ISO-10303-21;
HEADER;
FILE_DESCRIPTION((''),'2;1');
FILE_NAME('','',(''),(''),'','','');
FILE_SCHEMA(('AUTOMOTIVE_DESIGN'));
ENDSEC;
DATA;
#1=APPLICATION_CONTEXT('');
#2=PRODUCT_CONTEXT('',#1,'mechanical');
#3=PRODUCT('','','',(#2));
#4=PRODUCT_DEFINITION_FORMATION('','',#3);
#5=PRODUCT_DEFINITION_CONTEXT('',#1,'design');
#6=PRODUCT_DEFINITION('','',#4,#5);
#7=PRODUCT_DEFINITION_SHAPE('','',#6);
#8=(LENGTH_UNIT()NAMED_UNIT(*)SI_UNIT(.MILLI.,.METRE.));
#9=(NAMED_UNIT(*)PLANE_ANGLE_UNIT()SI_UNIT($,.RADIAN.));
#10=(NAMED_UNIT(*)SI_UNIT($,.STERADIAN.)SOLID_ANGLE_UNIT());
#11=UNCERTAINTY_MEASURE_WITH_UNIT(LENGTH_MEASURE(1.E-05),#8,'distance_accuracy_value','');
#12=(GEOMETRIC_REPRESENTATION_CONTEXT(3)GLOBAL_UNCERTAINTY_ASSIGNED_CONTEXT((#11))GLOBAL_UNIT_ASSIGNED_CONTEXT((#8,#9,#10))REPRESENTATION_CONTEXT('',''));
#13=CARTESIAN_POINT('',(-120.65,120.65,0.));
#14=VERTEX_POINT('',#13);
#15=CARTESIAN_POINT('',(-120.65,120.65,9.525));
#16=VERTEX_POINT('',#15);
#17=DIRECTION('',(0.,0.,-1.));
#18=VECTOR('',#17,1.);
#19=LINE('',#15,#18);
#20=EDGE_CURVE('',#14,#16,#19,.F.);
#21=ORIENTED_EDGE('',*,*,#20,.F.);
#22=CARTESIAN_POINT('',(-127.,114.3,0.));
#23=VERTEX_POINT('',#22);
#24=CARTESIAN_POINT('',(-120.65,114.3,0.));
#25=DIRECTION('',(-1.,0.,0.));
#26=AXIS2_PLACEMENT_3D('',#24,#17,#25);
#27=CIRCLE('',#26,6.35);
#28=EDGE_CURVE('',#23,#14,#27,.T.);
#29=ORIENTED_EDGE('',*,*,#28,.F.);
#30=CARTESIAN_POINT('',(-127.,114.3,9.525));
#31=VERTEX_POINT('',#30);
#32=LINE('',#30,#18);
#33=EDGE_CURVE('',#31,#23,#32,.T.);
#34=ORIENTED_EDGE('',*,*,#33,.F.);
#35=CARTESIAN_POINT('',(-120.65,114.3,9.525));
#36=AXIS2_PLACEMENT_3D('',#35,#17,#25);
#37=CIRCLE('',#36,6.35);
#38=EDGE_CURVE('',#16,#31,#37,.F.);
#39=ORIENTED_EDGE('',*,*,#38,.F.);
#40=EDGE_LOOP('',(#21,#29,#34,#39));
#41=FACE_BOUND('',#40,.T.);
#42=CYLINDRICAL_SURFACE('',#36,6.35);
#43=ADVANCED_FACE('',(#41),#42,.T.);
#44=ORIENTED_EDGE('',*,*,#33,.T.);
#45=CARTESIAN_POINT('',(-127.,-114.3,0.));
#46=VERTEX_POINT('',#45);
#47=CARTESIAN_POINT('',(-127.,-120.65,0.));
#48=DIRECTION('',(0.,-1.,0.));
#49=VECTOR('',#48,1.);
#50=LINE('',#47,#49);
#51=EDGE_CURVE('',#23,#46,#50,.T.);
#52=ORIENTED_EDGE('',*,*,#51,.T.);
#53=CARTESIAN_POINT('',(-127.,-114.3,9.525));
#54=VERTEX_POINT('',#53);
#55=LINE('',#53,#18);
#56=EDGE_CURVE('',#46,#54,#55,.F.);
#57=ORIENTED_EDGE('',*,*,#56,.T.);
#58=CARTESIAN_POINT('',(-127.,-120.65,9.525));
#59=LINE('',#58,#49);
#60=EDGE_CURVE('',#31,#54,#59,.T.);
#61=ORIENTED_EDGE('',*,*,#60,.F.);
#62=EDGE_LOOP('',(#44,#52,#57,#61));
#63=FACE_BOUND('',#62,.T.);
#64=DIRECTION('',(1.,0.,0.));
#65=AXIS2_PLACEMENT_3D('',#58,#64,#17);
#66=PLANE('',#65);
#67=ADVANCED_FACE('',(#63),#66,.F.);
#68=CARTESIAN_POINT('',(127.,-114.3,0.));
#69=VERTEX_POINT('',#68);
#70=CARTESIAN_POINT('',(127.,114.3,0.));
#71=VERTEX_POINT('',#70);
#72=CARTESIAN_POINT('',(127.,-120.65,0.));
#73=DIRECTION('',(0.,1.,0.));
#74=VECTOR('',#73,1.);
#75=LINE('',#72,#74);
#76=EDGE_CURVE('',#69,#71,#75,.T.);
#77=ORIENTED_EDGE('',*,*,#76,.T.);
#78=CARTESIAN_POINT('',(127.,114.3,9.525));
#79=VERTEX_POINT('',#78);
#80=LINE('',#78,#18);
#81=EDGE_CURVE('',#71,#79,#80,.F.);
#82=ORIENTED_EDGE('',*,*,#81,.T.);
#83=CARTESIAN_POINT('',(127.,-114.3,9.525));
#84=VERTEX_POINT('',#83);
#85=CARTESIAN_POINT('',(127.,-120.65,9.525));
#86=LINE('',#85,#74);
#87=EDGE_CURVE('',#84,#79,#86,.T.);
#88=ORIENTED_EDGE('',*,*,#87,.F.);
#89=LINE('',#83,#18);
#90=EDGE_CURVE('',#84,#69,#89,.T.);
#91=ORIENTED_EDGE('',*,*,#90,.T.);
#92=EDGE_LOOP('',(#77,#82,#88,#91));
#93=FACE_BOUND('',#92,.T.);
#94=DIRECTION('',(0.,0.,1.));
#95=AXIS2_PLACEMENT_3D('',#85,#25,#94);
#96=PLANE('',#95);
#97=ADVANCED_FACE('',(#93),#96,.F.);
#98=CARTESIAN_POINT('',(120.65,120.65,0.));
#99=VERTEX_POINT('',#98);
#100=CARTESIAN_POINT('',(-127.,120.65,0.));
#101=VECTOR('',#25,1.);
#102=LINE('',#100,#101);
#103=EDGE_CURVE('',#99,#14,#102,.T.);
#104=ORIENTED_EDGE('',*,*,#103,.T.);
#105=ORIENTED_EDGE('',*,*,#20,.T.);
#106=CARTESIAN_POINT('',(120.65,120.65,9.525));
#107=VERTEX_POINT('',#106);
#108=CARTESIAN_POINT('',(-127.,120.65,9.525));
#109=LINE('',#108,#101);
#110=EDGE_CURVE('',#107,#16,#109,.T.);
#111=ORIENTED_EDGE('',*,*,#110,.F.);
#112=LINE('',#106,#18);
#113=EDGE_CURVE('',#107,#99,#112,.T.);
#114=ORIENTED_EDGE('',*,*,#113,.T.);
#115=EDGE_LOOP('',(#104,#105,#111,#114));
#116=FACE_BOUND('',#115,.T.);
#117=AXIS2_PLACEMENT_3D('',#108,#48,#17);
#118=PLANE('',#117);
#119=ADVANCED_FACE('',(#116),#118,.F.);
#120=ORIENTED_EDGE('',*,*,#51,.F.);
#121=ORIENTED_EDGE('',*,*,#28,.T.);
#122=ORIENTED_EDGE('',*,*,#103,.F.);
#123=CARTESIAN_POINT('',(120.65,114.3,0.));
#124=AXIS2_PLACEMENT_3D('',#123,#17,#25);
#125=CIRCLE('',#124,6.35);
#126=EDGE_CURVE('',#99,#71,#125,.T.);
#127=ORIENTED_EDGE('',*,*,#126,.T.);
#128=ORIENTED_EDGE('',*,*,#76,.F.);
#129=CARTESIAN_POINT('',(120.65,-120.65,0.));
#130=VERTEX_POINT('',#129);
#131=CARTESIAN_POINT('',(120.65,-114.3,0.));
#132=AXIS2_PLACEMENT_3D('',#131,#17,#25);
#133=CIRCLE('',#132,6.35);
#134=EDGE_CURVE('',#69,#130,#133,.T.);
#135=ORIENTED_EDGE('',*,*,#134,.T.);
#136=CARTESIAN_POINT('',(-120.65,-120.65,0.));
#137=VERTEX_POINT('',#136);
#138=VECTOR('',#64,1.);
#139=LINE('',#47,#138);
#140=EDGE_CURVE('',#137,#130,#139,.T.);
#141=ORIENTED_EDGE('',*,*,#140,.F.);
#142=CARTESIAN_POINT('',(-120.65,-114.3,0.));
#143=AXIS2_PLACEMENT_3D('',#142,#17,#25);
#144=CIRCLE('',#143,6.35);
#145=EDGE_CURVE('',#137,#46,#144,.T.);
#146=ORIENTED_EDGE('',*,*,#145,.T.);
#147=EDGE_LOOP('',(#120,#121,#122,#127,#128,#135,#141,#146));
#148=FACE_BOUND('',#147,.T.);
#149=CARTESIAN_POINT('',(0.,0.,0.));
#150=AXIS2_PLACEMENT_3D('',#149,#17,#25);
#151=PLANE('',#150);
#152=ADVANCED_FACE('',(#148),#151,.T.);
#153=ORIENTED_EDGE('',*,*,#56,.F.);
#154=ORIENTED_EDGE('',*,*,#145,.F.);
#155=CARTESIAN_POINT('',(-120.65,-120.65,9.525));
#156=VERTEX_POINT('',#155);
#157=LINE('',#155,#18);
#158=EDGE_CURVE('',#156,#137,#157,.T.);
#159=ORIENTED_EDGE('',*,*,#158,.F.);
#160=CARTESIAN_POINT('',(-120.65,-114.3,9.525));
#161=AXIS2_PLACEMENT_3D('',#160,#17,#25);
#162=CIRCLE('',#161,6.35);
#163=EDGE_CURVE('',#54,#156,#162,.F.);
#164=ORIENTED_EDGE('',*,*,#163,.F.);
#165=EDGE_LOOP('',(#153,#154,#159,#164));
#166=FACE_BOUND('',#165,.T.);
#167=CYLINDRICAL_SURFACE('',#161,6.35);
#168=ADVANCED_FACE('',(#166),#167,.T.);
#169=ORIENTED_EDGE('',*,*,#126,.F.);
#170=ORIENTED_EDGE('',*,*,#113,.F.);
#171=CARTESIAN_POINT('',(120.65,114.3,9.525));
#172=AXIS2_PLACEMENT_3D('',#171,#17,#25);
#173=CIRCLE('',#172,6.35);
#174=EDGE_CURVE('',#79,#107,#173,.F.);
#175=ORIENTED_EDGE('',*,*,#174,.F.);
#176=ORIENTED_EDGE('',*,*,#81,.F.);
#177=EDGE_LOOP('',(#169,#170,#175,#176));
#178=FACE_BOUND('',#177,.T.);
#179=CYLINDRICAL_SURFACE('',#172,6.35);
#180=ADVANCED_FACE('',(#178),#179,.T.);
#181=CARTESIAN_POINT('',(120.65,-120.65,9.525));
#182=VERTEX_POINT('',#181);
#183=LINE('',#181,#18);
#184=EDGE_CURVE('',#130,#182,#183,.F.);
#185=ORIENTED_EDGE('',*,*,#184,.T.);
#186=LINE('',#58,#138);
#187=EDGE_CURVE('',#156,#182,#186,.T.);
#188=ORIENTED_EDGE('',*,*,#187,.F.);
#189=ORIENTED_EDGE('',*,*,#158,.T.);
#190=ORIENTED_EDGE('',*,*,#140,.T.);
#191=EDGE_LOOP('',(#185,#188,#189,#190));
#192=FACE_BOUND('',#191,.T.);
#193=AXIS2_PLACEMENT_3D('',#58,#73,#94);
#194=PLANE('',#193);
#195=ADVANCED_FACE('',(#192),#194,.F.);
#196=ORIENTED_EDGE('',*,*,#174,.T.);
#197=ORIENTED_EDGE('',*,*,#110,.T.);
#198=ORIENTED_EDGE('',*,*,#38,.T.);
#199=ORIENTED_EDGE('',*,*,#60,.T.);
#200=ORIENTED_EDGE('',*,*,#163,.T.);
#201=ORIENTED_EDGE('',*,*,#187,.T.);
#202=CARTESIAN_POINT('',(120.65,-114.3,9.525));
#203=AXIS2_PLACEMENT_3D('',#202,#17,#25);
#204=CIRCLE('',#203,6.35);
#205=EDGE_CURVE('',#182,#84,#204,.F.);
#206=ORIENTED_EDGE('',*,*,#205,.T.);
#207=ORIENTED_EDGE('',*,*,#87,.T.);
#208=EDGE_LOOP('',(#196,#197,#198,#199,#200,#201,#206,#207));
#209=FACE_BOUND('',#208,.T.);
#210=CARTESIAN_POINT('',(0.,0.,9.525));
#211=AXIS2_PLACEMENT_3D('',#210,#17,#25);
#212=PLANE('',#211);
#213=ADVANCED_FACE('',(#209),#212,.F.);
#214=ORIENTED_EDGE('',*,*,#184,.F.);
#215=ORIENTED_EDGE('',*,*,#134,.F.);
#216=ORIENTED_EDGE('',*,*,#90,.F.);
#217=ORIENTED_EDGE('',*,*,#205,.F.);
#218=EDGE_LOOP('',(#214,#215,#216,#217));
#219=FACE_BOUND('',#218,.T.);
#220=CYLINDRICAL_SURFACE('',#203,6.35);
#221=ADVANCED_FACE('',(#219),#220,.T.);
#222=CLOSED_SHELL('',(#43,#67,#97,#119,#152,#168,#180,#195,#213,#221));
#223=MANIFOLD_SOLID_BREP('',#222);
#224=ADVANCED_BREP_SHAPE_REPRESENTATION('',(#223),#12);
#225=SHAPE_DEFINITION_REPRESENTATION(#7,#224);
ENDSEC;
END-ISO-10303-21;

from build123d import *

# Parameters (mm, degrees)
SKETCH1_W           = 254
SKETCH1_H           = 241.3
BOSS_EXTRUDE1_DEPTH = 9.525
FILLET1_R           = 6.35


with BuildPart() as part:
    # Sketch1 → Boss-Extrude1 (new body)
    with BuildSketch(Plane.XY):
        Rectangle(SKETCH1_W, SKETCH1_H)
    extrude(amount=BOSS_EXTRUDE1_DEPTH)

    # Fillet1
    fillet1_edges = [part.edges().sort_by_distance(p)[0] for p in [
        (127, -120.65, 4.7625),
        (-127, -120.65, 4.7625),
        (-127, 120.65, 4.7625),
        (127, 120.65, 4.7625),
    ]]
    fillet(fillet1_edges, radius=FILLET1_R)


solid = part.part
